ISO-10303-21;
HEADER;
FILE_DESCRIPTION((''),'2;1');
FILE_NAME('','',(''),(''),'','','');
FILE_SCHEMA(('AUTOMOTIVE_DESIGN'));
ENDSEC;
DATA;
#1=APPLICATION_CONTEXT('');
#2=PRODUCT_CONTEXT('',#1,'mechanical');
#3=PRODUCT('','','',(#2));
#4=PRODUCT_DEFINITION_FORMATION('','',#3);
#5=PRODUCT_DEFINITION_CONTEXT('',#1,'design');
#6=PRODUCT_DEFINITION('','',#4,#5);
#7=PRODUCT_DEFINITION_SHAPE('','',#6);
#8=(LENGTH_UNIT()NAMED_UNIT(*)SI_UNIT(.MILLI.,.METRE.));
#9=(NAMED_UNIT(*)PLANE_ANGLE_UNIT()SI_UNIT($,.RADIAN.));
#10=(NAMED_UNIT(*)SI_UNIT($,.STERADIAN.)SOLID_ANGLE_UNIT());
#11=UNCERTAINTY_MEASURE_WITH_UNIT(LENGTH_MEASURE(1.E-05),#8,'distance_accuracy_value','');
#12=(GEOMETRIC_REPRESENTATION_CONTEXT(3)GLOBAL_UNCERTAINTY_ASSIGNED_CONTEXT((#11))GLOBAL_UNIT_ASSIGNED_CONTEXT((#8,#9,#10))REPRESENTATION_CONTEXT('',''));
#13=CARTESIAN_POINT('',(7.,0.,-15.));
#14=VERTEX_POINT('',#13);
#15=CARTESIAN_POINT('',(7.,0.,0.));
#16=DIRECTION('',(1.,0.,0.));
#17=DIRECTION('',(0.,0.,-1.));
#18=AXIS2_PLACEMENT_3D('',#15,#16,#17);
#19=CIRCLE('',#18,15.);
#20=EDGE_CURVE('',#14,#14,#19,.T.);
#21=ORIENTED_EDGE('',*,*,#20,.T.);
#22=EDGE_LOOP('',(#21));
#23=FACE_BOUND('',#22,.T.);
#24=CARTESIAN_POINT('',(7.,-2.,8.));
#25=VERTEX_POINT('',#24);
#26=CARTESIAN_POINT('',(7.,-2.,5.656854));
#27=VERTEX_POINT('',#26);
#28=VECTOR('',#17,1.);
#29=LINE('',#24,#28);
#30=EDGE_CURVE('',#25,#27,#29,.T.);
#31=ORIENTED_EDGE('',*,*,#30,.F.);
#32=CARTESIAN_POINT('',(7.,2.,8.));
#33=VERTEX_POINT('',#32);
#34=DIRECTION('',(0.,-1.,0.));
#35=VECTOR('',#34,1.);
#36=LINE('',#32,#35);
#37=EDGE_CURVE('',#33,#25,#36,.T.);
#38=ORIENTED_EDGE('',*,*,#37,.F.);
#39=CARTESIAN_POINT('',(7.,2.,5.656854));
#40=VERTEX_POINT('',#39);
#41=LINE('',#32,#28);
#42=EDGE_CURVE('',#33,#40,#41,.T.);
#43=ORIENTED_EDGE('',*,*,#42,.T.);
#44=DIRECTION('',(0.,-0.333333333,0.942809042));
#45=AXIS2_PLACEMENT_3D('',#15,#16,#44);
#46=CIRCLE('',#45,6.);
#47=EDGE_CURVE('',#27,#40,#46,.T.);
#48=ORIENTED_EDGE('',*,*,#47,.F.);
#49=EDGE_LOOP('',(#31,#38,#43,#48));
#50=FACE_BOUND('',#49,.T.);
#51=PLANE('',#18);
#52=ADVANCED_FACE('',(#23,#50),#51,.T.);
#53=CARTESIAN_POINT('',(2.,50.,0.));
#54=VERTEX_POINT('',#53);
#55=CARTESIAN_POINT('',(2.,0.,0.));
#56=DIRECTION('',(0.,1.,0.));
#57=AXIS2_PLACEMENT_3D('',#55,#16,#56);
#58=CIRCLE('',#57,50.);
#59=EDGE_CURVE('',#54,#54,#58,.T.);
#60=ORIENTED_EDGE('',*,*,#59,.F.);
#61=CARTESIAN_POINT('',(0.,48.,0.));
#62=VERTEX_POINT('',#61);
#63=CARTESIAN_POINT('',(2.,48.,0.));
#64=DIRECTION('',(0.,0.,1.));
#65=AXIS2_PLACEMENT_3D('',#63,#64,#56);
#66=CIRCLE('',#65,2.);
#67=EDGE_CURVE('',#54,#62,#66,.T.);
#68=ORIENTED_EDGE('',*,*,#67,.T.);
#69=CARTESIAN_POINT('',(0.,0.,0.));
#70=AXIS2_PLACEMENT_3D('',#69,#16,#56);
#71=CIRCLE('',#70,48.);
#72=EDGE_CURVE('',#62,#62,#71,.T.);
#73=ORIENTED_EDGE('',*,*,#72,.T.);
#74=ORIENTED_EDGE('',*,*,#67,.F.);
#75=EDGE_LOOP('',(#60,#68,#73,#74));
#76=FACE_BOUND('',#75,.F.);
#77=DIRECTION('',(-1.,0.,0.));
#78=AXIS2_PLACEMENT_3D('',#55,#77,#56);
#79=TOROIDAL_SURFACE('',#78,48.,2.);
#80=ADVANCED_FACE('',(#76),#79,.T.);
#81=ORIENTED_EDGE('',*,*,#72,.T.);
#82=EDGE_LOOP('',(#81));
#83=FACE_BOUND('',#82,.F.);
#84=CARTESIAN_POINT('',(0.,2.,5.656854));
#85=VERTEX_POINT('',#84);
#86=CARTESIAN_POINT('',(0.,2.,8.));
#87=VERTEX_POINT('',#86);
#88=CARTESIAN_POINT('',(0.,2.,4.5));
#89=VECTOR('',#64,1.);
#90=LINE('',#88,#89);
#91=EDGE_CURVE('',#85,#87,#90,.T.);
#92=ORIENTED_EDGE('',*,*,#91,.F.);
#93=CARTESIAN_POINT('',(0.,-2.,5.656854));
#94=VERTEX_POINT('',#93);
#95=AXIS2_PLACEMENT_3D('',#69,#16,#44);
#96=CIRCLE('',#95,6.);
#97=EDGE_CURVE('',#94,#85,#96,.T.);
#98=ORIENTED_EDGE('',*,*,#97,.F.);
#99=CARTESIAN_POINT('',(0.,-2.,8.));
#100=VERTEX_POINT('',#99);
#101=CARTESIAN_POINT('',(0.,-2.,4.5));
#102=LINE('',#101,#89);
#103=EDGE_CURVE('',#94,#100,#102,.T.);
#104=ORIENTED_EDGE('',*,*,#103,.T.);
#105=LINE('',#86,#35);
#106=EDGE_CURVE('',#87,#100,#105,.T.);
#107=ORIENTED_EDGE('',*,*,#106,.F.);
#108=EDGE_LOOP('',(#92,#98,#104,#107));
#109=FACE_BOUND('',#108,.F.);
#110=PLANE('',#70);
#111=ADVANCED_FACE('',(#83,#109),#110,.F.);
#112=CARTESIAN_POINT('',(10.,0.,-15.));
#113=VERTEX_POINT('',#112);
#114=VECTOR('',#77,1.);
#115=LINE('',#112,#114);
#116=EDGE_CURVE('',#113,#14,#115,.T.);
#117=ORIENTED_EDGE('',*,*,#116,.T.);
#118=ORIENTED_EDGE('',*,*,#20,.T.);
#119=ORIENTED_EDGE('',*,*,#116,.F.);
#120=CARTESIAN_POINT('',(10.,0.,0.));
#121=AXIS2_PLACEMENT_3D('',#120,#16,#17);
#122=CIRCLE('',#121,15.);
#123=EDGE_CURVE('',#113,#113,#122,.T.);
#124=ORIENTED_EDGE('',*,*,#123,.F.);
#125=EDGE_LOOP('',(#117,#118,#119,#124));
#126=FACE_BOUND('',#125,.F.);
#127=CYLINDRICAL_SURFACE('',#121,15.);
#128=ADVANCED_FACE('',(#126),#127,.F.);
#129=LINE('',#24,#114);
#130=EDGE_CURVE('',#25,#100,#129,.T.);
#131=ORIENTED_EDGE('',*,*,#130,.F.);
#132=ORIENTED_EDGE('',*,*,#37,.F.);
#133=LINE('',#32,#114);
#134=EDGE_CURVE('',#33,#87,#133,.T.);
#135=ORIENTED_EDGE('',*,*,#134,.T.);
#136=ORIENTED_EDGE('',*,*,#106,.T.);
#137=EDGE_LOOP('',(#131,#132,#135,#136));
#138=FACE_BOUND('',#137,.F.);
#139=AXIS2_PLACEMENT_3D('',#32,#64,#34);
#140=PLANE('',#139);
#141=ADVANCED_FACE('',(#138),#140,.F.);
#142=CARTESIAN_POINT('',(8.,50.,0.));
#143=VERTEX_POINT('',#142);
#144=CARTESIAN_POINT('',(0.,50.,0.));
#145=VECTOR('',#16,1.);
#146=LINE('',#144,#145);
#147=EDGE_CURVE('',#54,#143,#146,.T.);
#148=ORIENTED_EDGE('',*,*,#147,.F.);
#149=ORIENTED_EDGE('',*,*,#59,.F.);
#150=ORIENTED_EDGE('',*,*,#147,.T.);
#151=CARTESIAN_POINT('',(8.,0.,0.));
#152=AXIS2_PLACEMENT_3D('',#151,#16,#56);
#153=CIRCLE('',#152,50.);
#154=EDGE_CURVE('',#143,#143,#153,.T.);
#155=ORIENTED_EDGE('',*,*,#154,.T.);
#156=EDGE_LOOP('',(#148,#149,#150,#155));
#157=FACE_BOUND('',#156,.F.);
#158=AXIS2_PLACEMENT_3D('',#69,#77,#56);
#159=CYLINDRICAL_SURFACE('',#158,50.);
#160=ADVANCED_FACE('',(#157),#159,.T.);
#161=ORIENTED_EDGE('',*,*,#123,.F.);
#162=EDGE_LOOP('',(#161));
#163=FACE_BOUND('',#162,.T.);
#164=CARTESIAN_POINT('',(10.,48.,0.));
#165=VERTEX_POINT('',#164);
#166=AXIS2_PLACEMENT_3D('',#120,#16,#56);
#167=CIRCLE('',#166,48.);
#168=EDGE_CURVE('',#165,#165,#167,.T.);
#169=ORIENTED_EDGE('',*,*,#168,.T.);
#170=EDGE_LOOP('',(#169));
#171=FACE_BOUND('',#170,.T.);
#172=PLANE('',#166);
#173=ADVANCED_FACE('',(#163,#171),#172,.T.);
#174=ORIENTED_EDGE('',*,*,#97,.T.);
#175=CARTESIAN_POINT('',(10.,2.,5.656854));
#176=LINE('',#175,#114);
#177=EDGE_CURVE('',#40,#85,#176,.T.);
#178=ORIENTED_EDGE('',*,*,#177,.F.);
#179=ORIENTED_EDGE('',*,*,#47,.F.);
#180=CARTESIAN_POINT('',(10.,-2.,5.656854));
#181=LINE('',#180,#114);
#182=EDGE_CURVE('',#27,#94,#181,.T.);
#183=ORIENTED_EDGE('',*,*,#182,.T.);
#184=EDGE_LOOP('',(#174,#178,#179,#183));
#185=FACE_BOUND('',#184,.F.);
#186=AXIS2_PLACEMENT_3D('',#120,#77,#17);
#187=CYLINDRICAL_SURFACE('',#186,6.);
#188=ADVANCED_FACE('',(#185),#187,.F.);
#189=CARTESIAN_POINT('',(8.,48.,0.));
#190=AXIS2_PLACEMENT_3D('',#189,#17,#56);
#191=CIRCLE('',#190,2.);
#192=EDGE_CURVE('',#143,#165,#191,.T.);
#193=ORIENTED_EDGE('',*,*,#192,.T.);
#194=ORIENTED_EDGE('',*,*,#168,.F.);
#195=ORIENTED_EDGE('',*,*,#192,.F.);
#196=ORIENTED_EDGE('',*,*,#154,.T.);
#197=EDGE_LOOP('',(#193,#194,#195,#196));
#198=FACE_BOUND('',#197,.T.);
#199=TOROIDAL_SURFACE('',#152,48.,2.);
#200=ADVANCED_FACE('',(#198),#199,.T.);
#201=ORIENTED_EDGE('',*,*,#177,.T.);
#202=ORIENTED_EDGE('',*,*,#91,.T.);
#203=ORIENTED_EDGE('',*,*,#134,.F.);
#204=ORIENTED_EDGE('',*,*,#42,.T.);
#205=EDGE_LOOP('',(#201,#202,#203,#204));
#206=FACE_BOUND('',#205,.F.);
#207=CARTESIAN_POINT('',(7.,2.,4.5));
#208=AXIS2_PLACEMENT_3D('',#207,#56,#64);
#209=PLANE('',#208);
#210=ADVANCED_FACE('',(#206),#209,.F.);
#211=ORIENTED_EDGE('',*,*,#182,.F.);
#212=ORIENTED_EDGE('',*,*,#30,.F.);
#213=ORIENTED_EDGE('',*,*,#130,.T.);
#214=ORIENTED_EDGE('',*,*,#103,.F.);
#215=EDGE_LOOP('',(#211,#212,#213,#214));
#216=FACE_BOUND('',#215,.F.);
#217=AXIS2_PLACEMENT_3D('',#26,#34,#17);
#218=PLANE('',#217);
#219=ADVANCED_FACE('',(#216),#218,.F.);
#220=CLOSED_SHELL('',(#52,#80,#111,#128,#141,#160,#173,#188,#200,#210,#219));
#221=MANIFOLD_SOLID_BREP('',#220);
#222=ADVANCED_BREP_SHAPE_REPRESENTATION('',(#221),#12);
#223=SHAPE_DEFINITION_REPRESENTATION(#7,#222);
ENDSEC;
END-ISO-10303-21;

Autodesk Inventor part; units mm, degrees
ref_plane "YZ Plane" through (0, 0, 0) normal (1, 0, 0) x (0, 1, 0)
ref_plane "XZ Plane" through (0, 0, 0) normal (0, 1, 0) x (-1, 0, 0)
ref_plane "XY Plane" through (0, 0, 0) normal (0, 0, 1) x (1, 0, 0)
sketch "Sketch1" plane through (0, 0, 0) normal (1, 0, 0) x (0, 1, 0)
  circle A0 centre (0, 0) radius 50
  dimension "d0" = 100
extrude "Extrusion1" add sketch "Sketch1" along normal blind 10
sketch "Sketch2" plane through (10, 0, 0) normal (1, 0, 0) x (0, 0, -1)
  circle A0 centre (0, 0) radius 50 projected
hole "Hole1" at (10, 0, 0) direction (-1, 0, 0) diameter 12 depth 10
fillet "Fillet1" radius 2 2 edges at (0, -50, 0) (10, -50, 0)
sketch "Sketch4" plane through (10, 0, 0) normal (1, 0, 0) x (0, 0, -1)
  circle A0 centre (0, 0) radius 15
  dimension "d18" = 30
extrude "Extrusion3" cut sketch "Sketch4" against normal blind 3
sketch "Sketch5" plane through (7, 0, 0) normal (1, 0, 0) x (0, 0, -1)
  circle A0 centre (0, 0) radius 6 projected
  line L0 (-6, 0) -> (-6, 2)
  line L1 (-6, 2) -> (-8, 2)
  line L2 (-8, 2) -> (-8, -2)
  line L3 (-8, -2) -> (-6, -2)
  line L4 (-6, -2) -> (-6, 0)
  line L5 (-6, -2) -> (-4.5, -2)
  line L6 (-4.5, -2) -> (-4.5, 2)
  line L7 (-4.5, 2) -> (-6, 2)
  point P0 (-7, -2)
  dimension "d21" = 2
  dimension "d22" = 4
  dimension "d23" = 2
  dimension "d24" = 1.5
  dimension "d25" = 4
extrude "Extrusion4" cut sketch "Sketch5" against normal blind 7 contours L7 L6 L5 A0 | A0 L0 L7 | L5 L4 A0 | L4 L3 L2 L1 L0 picked at (-5, 0)
properties part number "P203" material "Aluminum 6061"
